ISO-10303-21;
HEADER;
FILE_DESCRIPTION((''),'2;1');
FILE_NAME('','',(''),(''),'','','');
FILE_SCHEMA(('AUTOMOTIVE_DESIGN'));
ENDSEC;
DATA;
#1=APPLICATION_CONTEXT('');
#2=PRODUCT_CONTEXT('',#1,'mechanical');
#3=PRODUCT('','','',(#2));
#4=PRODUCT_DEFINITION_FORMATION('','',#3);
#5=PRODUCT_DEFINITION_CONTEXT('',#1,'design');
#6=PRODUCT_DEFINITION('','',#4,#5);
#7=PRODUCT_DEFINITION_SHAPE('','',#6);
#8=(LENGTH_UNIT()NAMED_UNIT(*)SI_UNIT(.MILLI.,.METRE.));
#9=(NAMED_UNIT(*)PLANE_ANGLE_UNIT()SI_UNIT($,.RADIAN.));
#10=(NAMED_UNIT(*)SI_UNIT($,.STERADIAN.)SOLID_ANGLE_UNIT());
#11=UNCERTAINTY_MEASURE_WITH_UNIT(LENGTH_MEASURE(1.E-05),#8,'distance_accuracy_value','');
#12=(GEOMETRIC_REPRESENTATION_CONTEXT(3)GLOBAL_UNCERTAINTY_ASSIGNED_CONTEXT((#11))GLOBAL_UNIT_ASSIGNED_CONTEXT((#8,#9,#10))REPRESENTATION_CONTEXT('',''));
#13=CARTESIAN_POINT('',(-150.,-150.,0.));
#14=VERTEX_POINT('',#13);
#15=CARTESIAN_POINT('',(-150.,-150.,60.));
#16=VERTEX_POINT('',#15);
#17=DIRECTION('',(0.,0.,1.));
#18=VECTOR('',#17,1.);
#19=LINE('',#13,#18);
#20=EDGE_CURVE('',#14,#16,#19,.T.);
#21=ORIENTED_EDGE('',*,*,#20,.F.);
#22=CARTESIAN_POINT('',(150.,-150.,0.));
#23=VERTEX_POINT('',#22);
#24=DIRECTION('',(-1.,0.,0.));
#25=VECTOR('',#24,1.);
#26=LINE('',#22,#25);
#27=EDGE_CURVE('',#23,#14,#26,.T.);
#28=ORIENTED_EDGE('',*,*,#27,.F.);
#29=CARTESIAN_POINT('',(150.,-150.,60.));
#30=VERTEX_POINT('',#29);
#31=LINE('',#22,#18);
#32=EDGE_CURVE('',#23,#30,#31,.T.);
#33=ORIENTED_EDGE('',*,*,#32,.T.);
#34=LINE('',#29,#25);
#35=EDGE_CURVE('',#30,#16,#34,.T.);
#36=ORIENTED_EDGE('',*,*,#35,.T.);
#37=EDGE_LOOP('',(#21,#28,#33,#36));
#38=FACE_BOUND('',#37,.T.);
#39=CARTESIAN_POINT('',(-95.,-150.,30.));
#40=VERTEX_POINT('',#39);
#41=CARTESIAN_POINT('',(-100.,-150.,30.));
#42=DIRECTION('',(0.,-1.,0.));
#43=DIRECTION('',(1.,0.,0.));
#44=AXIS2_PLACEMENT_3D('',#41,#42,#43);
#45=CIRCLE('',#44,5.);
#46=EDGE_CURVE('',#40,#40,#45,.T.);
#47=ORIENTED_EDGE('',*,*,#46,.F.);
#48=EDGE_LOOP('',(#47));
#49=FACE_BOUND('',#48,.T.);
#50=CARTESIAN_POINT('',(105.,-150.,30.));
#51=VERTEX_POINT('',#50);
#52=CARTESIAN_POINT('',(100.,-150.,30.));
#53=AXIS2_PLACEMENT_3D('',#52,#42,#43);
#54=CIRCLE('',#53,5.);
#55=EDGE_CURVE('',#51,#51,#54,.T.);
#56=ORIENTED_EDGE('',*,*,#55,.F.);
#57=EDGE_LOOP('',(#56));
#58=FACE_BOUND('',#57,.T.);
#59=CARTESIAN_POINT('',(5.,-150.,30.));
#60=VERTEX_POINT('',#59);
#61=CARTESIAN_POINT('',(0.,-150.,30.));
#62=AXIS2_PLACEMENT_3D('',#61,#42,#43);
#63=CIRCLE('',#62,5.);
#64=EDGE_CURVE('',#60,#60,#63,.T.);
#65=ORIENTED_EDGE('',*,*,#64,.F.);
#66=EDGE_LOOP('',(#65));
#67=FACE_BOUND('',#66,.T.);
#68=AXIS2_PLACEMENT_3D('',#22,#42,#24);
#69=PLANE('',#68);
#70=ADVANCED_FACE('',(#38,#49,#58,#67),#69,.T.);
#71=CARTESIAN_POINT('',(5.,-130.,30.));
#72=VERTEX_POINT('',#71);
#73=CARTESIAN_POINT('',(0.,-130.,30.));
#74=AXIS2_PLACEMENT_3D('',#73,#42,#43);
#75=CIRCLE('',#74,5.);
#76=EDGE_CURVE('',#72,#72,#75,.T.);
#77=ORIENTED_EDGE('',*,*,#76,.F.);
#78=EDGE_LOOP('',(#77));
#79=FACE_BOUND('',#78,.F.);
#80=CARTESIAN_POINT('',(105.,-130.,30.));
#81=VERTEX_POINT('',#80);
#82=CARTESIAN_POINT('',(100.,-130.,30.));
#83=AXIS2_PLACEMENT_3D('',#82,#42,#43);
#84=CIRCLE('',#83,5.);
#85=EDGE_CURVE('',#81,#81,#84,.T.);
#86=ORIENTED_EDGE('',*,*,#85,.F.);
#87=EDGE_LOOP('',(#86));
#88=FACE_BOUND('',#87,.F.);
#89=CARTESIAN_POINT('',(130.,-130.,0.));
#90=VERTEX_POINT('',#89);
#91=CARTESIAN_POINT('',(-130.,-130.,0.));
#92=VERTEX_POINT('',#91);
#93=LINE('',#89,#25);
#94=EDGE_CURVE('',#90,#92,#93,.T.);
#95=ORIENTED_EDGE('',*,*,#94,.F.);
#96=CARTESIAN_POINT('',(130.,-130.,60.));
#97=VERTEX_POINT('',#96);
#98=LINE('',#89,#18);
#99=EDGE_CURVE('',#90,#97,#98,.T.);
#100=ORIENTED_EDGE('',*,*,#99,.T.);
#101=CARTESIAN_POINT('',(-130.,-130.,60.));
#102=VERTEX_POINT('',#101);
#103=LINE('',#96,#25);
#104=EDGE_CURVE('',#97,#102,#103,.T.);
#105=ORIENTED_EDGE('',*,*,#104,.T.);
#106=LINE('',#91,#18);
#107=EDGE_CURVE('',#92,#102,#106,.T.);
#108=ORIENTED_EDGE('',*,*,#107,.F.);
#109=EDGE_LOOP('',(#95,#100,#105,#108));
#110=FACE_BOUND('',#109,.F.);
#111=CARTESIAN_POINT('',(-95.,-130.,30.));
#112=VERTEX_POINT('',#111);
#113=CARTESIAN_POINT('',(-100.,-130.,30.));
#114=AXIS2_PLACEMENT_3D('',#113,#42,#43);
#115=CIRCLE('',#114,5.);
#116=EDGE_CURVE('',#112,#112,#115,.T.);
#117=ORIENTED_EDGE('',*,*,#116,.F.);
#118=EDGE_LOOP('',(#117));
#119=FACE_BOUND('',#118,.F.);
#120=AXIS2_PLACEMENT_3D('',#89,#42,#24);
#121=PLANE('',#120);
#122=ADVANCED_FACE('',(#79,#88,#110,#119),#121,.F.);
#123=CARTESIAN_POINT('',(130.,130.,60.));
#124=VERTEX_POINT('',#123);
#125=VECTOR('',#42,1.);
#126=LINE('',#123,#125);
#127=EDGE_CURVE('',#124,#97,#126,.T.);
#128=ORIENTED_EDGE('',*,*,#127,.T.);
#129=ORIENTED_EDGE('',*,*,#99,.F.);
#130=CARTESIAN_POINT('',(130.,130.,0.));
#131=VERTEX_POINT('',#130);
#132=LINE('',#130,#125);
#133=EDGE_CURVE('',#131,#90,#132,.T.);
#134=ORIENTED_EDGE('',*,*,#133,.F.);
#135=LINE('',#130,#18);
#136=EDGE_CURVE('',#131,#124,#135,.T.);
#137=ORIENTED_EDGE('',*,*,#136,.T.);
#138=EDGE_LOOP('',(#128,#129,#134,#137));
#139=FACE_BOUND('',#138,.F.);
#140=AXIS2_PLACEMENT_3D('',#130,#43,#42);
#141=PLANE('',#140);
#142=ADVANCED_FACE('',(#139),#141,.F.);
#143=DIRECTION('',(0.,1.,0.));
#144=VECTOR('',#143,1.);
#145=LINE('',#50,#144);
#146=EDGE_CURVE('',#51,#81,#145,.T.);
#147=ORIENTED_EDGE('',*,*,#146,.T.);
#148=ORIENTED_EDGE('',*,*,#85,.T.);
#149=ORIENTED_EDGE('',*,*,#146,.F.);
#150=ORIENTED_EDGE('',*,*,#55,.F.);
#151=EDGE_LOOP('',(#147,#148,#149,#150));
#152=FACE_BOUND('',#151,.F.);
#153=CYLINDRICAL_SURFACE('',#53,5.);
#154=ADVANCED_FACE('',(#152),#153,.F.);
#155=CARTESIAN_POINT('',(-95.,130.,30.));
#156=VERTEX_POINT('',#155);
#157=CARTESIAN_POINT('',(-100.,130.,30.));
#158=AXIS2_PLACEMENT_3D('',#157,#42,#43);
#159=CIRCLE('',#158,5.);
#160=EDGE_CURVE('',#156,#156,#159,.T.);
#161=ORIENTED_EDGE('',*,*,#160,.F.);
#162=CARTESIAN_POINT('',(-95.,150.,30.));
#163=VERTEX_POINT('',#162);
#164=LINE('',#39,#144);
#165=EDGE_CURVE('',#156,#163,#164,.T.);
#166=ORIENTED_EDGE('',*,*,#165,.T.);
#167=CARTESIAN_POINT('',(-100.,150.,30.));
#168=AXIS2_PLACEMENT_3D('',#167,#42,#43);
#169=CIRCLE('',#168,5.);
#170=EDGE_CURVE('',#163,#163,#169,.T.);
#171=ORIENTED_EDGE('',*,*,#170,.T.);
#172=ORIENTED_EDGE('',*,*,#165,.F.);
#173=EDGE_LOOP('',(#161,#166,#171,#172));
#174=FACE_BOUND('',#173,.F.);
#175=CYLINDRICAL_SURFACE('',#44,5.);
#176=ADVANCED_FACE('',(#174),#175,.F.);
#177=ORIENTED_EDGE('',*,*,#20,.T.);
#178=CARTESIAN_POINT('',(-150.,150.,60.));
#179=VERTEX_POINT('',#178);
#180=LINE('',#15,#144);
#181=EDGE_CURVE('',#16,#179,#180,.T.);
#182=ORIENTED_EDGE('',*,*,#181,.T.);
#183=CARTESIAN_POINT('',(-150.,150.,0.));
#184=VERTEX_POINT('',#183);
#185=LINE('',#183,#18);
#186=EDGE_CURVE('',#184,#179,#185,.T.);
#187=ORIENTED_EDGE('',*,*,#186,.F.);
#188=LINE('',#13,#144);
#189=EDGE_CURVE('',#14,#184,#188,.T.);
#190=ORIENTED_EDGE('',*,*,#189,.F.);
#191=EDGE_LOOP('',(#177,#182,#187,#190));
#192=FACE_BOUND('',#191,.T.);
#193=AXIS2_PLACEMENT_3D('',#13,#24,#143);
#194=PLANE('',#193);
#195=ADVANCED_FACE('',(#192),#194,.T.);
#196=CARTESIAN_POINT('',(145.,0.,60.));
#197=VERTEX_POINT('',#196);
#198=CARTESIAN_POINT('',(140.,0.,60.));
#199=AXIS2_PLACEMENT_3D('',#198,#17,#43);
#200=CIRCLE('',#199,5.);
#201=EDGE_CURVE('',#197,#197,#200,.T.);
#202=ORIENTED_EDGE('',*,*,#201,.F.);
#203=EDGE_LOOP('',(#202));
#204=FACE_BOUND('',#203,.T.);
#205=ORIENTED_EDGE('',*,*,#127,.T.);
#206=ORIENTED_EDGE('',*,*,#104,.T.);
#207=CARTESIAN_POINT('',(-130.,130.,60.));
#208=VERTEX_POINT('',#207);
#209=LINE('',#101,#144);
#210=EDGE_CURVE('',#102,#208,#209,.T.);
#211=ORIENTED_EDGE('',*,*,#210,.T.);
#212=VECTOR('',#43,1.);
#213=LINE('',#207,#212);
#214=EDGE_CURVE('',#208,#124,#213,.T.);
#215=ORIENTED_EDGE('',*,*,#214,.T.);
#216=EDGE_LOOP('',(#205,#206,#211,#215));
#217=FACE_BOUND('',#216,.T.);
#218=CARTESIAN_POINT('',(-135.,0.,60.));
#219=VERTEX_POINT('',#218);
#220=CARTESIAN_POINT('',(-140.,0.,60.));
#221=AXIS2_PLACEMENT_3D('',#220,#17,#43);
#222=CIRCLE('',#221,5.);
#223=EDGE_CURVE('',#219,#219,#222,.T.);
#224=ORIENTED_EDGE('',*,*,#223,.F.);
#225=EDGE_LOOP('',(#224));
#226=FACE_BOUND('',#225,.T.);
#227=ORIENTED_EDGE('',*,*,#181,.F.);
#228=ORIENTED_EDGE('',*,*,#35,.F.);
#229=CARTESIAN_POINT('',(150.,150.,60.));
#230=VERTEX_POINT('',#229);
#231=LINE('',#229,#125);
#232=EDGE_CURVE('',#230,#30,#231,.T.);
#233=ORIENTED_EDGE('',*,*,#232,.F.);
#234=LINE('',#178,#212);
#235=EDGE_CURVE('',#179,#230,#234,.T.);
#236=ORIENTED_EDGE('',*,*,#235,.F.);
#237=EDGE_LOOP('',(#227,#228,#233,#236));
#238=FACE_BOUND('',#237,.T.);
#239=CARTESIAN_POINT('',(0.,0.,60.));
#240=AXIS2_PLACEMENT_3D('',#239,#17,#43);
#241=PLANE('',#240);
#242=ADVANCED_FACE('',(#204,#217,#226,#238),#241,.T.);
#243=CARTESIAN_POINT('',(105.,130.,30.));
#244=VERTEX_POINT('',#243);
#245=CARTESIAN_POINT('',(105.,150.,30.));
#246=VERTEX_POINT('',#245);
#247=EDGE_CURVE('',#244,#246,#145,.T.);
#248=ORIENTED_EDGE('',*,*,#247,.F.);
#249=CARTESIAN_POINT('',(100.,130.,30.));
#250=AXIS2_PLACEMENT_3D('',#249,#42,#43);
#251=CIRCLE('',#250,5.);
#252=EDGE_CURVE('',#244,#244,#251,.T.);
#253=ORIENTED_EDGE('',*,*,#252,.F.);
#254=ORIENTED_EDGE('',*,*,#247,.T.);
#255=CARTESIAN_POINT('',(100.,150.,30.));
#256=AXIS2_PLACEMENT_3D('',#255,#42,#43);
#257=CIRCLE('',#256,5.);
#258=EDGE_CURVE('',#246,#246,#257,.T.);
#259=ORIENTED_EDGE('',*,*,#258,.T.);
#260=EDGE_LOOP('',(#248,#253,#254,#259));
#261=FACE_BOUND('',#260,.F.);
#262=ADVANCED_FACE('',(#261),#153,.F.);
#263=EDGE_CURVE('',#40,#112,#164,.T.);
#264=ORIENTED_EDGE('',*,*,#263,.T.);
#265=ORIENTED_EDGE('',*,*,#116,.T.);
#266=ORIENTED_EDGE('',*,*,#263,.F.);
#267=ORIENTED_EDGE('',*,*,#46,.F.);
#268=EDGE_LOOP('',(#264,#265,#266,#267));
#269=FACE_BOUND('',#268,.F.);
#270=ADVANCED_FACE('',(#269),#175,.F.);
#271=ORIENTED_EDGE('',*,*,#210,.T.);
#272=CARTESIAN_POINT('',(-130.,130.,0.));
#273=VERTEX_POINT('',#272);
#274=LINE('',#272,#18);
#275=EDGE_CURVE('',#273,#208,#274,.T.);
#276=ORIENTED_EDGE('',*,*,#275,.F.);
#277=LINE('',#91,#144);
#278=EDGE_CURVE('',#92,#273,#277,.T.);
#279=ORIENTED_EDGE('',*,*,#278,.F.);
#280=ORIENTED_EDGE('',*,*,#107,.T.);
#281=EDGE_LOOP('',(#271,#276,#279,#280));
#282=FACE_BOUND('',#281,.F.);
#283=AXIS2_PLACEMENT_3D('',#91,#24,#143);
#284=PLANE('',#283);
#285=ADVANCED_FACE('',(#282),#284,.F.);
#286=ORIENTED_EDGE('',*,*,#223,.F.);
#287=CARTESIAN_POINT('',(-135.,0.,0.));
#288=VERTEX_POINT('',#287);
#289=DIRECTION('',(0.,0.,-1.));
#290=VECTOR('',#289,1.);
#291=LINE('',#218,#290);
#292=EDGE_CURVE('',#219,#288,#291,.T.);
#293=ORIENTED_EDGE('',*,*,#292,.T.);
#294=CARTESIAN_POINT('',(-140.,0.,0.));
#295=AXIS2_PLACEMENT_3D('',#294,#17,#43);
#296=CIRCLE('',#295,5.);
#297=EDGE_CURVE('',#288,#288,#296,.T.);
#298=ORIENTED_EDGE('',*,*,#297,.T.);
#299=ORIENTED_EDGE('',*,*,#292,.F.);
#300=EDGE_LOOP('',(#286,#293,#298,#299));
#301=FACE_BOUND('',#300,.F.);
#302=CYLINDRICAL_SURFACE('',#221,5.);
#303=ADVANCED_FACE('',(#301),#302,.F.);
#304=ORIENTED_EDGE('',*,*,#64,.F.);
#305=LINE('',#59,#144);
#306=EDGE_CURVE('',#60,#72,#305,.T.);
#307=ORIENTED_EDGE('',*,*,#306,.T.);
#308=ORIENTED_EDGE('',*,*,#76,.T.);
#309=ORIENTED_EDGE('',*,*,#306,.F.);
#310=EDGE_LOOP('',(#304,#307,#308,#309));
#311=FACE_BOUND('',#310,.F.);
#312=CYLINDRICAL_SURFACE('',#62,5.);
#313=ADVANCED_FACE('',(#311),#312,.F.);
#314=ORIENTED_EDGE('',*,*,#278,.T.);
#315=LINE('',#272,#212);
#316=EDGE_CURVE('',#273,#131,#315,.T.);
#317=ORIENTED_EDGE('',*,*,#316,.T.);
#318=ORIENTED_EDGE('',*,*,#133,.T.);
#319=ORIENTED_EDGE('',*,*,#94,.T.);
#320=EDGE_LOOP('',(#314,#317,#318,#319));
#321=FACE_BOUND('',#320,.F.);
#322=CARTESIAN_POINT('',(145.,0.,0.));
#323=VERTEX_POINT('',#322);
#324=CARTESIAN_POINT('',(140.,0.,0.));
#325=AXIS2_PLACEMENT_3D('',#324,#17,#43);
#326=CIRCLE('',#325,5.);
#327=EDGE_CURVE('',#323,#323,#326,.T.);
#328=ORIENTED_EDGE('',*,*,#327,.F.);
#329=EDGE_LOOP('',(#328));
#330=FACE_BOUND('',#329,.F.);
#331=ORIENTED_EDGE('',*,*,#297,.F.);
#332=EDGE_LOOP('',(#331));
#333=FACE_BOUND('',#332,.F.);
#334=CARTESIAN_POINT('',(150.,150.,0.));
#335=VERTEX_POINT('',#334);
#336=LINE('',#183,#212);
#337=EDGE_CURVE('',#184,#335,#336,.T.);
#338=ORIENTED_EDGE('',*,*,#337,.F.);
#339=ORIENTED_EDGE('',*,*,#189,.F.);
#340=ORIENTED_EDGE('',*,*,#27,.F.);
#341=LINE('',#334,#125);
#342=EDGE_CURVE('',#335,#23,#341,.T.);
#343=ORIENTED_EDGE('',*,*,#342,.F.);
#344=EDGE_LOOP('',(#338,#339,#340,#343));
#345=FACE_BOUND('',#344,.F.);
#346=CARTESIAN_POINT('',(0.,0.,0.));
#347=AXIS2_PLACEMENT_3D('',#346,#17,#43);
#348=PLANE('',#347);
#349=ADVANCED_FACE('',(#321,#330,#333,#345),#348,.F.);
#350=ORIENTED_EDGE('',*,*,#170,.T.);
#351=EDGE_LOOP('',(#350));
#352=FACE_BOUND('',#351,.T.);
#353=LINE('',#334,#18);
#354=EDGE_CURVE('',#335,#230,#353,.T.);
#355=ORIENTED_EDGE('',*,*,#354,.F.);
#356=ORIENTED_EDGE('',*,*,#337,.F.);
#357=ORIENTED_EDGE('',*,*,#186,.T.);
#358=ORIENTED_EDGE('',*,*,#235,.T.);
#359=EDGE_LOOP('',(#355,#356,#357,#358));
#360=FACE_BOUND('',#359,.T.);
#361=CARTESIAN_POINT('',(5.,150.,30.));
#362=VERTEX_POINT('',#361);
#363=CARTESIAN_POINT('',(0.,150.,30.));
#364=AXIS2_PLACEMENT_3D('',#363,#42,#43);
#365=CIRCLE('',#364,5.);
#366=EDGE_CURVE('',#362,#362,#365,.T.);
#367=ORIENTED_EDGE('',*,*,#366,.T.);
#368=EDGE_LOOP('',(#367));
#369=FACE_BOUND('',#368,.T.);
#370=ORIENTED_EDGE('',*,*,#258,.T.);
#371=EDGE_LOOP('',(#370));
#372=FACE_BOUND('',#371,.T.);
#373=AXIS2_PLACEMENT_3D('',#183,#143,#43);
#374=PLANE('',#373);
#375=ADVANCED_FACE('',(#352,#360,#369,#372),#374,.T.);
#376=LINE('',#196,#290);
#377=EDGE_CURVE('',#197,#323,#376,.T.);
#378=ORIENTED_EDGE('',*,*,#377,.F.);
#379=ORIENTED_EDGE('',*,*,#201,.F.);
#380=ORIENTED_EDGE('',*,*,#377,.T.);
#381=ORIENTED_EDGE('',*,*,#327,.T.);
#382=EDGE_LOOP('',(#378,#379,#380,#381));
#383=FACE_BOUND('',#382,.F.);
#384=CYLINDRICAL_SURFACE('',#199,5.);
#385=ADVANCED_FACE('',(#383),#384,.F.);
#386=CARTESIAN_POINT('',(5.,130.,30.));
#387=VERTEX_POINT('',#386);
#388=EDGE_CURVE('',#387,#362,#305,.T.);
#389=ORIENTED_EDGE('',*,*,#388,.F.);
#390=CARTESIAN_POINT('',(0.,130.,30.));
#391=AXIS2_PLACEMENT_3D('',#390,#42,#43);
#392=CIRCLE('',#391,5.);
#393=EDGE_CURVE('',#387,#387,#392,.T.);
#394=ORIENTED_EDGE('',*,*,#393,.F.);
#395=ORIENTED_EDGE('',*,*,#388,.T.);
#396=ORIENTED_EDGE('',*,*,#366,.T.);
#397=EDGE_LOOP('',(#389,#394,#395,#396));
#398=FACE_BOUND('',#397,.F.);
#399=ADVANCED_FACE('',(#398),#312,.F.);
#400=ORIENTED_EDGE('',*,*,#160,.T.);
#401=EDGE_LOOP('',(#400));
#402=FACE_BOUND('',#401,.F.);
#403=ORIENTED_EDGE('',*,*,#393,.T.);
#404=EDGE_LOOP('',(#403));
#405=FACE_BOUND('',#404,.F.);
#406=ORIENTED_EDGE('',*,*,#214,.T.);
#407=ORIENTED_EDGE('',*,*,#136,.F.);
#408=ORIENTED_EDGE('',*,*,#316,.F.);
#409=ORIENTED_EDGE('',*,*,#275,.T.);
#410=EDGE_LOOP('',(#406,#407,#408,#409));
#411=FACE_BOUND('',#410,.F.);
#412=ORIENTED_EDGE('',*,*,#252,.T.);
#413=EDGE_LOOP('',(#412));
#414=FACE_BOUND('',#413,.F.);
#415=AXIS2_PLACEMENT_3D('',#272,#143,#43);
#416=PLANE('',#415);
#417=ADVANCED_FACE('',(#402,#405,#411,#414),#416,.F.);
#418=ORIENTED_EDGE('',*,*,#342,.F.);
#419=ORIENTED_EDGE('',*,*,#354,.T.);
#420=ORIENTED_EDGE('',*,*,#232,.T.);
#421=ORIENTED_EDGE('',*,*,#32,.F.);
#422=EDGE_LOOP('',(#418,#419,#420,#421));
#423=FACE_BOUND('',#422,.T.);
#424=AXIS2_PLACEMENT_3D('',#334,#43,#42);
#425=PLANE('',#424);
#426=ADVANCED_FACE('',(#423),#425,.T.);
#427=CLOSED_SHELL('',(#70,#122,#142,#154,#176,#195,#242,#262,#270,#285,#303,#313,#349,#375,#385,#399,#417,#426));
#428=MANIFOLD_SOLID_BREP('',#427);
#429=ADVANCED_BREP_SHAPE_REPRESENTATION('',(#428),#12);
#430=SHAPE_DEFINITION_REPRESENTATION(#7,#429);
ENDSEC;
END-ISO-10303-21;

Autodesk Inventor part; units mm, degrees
ref_plane "YZ Plane" through (0, 0, 0) normal (1, 0, 0) x (0, 1, 0)
ref_plane "XZ Plane" through (0, 0, 0) normal (0, 1, 0) x (-1, 0, 0)
ref_plane "XY Plane" through (0, 0, 0) normal (0, 0, 1) x (1, 0, 0)
sketch "Boceto1" plane through (0, 0, 0) normal (0, 0, 1) x (1, 0, 0)
  line L0 (-150, 150) -> (150, 150)
  line L1 (150, 150) -> (150, -150)
  line L2 (150, -150) -> (-150, -150)
  line L3 (-150, -150) -> (-150, 150)
  line L4 (-150, 150) -> (150, -150) construction
  line L5 (150, 150) -> (-150, -150) construction
  line L6 (130, -130) -> (-130, -130)
  line L7 (-130, -130) -> (-130, 130)
  line L8 (-130, 130) -> (130, 130)
  line L9 (130, 130) -> (130, -130)
  line L10 (130, -130) -> (-130, 130) construction
  line L11 (-130, -130) -> (130, 130) construction
  point P0 (0, 0)
  dimension "d2" = 300
  dimension "d3" = 300
  dimension "d20" = 20
extrude "Extrusión1" add sketch "Boceto1" along normal blind 60
sketch "Boceto3" plane through (-150, -150, 0) normal (0, -1, 0) x (1, 0, 0)
  circle A0 centre (150, 30) radius 5
  line L0 (0, 60) -> (300, 60) projected
  line L1 (0, 0) -> (0, 60) projected
  line L2 (20, 60) -> (280, 60) projected
  line L3 (150, 60) -> (150, 0) construction
  circle A1 centre (250, 30) radius 5
  circle A2 centre (50, 30) radius 5
  dimension "d21" = 10
  dimension "d24" = 30
  dimension "d25" = 150
  dimension "d26" = 10
  dimension "d27" = 30
  dimension "d28" = 100
  dimension "d29" = 10
  dimension "d30" = 100
  dimension "d31" = 30
extrude "Extrusión3" cut sketch "Boceto3" against normal up to surface (300 mm away)
sketch "Boceto4" plane through (0, 0, 60) normal (0, 0, 1) x (1, 0, 0)
  circle A0 centre (-140, 0) radius 5
  line L0 (-130, -130) -> (-130, 130) projected
  line L1 (-150, -150) -> (150, -150) projected
  circle A1 centre (140, 0) radius 5
  line L2 (130, 130) -> (130, -130) projected
  point P0 (0, 0)
  dimension "d32" = 10
  dimension "d33" = 10
  dimension "d34" = 150
  dimension "d35" = 10
  dimension "d36" = 150
  dimension "d37" = 10
extrude "Extrusión4" cut sketch "Boceto4" against normal through all
properties part number "IdeaBase"
